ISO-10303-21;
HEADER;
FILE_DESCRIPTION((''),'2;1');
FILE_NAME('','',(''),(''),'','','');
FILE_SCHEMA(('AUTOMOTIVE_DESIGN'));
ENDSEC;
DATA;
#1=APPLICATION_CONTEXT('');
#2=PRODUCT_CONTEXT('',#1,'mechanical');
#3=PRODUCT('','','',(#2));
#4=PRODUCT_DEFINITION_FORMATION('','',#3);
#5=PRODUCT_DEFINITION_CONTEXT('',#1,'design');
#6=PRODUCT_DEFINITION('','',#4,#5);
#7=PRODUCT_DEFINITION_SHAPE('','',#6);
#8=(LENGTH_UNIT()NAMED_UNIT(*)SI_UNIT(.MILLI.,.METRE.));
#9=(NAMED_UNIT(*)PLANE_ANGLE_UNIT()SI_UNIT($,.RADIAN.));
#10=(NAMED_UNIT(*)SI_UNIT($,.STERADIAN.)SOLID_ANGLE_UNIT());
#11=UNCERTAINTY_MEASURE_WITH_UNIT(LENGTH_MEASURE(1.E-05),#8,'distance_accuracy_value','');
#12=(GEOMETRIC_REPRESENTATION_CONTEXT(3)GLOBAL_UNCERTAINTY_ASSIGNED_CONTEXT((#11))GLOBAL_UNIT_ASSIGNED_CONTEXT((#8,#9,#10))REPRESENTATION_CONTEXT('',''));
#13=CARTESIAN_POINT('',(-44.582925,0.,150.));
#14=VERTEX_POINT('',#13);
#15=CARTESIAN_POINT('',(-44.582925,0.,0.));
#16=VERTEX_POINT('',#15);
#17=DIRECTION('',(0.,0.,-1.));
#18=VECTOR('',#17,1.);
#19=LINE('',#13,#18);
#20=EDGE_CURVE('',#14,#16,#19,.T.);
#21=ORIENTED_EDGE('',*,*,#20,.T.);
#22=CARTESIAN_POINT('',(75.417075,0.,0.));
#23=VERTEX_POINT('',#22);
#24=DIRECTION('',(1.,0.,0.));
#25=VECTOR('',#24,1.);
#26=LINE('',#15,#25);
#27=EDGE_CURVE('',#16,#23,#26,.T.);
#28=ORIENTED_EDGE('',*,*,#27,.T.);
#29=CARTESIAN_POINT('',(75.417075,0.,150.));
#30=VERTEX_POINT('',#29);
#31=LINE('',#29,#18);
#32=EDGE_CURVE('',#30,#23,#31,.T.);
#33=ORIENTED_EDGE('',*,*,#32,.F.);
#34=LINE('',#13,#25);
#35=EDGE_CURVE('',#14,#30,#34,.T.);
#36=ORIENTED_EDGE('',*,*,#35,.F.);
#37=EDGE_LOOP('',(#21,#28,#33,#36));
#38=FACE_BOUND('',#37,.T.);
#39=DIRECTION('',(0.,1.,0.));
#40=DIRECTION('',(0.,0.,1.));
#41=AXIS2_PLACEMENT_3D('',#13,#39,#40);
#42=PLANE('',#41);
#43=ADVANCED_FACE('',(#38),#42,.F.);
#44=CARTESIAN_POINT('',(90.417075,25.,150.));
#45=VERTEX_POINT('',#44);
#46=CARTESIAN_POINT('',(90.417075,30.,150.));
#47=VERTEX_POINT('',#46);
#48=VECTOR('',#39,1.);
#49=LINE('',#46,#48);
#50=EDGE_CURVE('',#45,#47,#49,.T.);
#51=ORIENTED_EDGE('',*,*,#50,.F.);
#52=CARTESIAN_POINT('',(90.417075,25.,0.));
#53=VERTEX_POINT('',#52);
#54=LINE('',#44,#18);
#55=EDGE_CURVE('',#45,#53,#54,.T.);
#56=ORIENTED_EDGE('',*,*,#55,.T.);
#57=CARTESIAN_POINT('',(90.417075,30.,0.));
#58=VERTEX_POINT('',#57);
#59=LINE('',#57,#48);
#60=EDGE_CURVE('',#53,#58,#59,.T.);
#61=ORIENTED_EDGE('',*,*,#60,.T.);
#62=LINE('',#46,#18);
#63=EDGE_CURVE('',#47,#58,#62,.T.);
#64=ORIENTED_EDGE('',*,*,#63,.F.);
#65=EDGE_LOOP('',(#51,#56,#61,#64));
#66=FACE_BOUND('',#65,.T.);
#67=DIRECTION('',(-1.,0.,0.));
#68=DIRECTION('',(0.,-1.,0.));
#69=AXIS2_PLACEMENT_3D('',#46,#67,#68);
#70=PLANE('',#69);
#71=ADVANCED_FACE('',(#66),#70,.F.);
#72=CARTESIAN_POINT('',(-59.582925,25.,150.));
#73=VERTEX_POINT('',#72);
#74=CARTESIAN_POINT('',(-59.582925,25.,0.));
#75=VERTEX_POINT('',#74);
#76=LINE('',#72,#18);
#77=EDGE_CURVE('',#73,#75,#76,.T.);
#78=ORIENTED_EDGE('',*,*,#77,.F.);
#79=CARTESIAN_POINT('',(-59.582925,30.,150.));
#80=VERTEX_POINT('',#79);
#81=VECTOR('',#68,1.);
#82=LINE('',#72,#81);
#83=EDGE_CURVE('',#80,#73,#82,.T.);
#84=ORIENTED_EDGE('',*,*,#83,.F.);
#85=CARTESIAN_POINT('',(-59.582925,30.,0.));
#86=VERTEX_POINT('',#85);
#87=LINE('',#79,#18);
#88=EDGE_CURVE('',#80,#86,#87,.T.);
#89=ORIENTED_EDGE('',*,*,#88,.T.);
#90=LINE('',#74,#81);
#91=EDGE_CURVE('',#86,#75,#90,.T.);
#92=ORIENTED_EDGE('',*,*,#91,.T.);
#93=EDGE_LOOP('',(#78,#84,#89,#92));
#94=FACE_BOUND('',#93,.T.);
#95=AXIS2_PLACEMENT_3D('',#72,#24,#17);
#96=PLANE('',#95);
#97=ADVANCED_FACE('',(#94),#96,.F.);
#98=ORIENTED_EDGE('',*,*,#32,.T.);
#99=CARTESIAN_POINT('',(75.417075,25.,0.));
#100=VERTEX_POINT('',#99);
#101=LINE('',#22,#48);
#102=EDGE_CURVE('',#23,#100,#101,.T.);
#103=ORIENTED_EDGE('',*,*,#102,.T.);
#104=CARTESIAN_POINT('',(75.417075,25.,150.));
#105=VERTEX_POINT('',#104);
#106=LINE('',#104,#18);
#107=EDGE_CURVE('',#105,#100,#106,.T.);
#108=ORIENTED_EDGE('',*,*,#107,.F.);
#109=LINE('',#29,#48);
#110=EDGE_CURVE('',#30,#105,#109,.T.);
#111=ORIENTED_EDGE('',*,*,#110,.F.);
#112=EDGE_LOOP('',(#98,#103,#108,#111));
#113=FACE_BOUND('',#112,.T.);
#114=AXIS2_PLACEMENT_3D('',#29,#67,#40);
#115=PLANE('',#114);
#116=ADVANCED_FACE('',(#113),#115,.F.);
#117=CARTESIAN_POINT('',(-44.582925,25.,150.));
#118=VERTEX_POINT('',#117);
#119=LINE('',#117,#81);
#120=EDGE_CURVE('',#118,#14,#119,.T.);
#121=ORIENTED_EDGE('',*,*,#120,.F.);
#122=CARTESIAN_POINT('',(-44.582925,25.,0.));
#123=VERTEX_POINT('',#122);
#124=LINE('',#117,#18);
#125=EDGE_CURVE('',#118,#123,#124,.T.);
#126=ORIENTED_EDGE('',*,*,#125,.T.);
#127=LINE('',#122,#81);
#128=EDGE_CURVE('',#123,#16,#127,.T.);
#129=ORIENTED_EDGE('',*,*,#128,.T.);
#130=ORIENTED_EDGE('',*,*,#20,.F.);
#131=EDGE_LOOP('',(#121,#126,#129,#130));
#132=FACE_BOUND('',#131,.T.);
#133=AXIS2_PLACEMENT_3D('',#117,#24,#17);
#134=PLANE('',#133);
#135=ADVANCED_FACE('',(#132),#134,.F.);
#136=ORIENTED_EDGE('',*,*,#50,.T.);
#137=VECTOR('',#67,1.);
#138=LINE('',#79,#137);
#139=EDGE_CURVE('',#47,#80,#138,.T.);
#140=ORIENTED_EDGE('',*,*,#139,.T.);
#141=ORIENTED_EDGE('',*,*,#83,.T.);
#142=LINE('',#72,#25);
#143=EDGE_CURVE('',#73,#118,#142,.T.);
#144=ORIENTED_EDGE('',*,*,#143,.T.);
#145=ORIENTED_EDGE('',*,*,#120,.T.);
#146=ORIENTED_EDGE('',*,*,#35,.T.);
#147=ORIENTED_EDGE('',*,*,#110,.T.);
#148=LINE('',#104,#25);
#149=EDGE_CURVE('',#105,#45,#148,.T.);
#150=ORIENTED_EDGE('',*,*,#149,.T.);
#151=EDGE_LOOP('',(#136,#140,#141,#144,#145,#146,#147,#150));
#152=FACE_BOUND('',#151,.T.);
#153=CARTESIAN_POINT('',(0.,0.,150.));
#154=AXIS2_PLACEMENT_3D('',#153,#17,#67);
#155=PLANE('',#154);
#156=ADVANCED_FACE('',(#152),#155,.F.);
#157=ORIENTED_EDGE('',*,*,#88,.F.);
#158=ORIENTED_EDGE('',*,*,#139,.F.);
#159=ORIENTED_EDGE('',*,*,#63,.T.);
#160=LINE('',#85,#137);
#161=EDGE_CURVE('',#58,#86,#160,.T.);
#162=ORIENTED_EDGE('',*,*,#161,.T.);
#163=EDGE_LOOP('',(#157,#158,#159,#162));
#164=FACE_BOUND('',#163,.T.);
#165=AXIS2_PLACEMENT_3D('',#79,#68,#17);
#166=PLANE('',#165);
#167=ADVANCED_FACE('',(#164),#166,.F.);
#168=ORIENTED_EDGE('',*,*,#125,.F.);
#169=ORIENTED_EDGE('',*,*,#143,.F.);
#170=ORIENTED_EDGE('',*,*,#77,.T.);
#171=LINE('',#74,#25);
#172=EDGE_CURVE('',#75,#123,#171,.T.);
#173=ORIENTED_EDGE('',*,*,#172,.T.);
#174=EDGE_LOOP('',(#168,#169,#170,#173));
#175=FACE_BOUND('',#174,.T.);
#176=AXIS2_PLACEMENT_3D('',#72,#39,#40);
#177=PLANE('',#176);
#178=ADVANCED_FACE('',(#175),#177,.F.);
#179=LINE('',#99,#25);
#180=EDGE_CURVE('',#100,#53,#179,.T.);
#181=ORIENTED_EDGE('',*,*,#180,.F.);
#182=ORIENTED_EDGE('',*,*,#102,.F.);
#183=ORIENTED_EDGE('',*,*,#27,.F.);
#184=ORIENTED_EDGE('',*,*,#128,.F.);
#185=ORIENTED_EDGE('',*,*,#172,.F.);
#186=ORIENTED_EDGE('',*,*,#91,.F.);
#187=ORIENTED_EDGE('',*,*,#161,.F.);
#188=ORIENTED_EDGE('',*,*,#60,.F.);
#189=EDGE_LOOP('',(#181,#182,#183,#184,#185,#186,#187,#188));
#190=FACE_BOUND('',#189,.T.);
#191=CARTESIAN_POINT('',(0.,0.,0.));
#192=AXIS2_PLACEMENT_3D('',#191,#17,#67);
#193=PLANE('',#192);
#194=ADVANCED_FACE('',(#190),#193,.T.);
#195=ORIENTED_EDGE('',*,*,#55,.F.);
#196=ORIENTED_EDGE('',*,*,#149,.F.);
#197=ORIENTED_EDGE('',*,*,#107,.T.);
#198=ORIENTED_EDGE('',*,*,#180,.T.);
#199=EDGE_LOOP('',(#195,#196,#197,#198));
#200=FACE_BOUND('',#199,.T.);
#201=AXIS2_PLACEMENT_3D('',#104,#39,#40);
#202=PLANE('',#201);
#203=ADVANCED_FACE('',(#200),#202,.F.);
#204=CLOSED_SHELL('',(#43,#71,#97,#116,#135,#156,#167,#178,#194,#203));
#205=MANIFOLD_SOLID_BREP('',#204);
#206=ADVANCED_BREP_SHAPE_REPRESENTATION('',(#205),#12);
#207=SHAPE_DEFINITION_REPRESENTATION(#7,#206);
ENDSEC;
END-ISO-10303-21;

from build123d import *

# Parameters (mm, degrees)
BOSS_EXTRUDE1_DEPTH = 150


with BuildPart() as part:
    # Sketch1 → Boss-Extrude1 (new body)
    with BuildSketch(Plane.XY):
        Polygon((-59.582924894, 25), (-44.582924894, 25), (-44.582924894, 0), (75.417075106, 0), (75.417075106, 25), (90.417075106, 25), (90.417075106, 30), (-59.582924894, 30), align=None)
    extrude(amount=BOSS_EXTRUDE1_DEPTH)


solid = part.part
